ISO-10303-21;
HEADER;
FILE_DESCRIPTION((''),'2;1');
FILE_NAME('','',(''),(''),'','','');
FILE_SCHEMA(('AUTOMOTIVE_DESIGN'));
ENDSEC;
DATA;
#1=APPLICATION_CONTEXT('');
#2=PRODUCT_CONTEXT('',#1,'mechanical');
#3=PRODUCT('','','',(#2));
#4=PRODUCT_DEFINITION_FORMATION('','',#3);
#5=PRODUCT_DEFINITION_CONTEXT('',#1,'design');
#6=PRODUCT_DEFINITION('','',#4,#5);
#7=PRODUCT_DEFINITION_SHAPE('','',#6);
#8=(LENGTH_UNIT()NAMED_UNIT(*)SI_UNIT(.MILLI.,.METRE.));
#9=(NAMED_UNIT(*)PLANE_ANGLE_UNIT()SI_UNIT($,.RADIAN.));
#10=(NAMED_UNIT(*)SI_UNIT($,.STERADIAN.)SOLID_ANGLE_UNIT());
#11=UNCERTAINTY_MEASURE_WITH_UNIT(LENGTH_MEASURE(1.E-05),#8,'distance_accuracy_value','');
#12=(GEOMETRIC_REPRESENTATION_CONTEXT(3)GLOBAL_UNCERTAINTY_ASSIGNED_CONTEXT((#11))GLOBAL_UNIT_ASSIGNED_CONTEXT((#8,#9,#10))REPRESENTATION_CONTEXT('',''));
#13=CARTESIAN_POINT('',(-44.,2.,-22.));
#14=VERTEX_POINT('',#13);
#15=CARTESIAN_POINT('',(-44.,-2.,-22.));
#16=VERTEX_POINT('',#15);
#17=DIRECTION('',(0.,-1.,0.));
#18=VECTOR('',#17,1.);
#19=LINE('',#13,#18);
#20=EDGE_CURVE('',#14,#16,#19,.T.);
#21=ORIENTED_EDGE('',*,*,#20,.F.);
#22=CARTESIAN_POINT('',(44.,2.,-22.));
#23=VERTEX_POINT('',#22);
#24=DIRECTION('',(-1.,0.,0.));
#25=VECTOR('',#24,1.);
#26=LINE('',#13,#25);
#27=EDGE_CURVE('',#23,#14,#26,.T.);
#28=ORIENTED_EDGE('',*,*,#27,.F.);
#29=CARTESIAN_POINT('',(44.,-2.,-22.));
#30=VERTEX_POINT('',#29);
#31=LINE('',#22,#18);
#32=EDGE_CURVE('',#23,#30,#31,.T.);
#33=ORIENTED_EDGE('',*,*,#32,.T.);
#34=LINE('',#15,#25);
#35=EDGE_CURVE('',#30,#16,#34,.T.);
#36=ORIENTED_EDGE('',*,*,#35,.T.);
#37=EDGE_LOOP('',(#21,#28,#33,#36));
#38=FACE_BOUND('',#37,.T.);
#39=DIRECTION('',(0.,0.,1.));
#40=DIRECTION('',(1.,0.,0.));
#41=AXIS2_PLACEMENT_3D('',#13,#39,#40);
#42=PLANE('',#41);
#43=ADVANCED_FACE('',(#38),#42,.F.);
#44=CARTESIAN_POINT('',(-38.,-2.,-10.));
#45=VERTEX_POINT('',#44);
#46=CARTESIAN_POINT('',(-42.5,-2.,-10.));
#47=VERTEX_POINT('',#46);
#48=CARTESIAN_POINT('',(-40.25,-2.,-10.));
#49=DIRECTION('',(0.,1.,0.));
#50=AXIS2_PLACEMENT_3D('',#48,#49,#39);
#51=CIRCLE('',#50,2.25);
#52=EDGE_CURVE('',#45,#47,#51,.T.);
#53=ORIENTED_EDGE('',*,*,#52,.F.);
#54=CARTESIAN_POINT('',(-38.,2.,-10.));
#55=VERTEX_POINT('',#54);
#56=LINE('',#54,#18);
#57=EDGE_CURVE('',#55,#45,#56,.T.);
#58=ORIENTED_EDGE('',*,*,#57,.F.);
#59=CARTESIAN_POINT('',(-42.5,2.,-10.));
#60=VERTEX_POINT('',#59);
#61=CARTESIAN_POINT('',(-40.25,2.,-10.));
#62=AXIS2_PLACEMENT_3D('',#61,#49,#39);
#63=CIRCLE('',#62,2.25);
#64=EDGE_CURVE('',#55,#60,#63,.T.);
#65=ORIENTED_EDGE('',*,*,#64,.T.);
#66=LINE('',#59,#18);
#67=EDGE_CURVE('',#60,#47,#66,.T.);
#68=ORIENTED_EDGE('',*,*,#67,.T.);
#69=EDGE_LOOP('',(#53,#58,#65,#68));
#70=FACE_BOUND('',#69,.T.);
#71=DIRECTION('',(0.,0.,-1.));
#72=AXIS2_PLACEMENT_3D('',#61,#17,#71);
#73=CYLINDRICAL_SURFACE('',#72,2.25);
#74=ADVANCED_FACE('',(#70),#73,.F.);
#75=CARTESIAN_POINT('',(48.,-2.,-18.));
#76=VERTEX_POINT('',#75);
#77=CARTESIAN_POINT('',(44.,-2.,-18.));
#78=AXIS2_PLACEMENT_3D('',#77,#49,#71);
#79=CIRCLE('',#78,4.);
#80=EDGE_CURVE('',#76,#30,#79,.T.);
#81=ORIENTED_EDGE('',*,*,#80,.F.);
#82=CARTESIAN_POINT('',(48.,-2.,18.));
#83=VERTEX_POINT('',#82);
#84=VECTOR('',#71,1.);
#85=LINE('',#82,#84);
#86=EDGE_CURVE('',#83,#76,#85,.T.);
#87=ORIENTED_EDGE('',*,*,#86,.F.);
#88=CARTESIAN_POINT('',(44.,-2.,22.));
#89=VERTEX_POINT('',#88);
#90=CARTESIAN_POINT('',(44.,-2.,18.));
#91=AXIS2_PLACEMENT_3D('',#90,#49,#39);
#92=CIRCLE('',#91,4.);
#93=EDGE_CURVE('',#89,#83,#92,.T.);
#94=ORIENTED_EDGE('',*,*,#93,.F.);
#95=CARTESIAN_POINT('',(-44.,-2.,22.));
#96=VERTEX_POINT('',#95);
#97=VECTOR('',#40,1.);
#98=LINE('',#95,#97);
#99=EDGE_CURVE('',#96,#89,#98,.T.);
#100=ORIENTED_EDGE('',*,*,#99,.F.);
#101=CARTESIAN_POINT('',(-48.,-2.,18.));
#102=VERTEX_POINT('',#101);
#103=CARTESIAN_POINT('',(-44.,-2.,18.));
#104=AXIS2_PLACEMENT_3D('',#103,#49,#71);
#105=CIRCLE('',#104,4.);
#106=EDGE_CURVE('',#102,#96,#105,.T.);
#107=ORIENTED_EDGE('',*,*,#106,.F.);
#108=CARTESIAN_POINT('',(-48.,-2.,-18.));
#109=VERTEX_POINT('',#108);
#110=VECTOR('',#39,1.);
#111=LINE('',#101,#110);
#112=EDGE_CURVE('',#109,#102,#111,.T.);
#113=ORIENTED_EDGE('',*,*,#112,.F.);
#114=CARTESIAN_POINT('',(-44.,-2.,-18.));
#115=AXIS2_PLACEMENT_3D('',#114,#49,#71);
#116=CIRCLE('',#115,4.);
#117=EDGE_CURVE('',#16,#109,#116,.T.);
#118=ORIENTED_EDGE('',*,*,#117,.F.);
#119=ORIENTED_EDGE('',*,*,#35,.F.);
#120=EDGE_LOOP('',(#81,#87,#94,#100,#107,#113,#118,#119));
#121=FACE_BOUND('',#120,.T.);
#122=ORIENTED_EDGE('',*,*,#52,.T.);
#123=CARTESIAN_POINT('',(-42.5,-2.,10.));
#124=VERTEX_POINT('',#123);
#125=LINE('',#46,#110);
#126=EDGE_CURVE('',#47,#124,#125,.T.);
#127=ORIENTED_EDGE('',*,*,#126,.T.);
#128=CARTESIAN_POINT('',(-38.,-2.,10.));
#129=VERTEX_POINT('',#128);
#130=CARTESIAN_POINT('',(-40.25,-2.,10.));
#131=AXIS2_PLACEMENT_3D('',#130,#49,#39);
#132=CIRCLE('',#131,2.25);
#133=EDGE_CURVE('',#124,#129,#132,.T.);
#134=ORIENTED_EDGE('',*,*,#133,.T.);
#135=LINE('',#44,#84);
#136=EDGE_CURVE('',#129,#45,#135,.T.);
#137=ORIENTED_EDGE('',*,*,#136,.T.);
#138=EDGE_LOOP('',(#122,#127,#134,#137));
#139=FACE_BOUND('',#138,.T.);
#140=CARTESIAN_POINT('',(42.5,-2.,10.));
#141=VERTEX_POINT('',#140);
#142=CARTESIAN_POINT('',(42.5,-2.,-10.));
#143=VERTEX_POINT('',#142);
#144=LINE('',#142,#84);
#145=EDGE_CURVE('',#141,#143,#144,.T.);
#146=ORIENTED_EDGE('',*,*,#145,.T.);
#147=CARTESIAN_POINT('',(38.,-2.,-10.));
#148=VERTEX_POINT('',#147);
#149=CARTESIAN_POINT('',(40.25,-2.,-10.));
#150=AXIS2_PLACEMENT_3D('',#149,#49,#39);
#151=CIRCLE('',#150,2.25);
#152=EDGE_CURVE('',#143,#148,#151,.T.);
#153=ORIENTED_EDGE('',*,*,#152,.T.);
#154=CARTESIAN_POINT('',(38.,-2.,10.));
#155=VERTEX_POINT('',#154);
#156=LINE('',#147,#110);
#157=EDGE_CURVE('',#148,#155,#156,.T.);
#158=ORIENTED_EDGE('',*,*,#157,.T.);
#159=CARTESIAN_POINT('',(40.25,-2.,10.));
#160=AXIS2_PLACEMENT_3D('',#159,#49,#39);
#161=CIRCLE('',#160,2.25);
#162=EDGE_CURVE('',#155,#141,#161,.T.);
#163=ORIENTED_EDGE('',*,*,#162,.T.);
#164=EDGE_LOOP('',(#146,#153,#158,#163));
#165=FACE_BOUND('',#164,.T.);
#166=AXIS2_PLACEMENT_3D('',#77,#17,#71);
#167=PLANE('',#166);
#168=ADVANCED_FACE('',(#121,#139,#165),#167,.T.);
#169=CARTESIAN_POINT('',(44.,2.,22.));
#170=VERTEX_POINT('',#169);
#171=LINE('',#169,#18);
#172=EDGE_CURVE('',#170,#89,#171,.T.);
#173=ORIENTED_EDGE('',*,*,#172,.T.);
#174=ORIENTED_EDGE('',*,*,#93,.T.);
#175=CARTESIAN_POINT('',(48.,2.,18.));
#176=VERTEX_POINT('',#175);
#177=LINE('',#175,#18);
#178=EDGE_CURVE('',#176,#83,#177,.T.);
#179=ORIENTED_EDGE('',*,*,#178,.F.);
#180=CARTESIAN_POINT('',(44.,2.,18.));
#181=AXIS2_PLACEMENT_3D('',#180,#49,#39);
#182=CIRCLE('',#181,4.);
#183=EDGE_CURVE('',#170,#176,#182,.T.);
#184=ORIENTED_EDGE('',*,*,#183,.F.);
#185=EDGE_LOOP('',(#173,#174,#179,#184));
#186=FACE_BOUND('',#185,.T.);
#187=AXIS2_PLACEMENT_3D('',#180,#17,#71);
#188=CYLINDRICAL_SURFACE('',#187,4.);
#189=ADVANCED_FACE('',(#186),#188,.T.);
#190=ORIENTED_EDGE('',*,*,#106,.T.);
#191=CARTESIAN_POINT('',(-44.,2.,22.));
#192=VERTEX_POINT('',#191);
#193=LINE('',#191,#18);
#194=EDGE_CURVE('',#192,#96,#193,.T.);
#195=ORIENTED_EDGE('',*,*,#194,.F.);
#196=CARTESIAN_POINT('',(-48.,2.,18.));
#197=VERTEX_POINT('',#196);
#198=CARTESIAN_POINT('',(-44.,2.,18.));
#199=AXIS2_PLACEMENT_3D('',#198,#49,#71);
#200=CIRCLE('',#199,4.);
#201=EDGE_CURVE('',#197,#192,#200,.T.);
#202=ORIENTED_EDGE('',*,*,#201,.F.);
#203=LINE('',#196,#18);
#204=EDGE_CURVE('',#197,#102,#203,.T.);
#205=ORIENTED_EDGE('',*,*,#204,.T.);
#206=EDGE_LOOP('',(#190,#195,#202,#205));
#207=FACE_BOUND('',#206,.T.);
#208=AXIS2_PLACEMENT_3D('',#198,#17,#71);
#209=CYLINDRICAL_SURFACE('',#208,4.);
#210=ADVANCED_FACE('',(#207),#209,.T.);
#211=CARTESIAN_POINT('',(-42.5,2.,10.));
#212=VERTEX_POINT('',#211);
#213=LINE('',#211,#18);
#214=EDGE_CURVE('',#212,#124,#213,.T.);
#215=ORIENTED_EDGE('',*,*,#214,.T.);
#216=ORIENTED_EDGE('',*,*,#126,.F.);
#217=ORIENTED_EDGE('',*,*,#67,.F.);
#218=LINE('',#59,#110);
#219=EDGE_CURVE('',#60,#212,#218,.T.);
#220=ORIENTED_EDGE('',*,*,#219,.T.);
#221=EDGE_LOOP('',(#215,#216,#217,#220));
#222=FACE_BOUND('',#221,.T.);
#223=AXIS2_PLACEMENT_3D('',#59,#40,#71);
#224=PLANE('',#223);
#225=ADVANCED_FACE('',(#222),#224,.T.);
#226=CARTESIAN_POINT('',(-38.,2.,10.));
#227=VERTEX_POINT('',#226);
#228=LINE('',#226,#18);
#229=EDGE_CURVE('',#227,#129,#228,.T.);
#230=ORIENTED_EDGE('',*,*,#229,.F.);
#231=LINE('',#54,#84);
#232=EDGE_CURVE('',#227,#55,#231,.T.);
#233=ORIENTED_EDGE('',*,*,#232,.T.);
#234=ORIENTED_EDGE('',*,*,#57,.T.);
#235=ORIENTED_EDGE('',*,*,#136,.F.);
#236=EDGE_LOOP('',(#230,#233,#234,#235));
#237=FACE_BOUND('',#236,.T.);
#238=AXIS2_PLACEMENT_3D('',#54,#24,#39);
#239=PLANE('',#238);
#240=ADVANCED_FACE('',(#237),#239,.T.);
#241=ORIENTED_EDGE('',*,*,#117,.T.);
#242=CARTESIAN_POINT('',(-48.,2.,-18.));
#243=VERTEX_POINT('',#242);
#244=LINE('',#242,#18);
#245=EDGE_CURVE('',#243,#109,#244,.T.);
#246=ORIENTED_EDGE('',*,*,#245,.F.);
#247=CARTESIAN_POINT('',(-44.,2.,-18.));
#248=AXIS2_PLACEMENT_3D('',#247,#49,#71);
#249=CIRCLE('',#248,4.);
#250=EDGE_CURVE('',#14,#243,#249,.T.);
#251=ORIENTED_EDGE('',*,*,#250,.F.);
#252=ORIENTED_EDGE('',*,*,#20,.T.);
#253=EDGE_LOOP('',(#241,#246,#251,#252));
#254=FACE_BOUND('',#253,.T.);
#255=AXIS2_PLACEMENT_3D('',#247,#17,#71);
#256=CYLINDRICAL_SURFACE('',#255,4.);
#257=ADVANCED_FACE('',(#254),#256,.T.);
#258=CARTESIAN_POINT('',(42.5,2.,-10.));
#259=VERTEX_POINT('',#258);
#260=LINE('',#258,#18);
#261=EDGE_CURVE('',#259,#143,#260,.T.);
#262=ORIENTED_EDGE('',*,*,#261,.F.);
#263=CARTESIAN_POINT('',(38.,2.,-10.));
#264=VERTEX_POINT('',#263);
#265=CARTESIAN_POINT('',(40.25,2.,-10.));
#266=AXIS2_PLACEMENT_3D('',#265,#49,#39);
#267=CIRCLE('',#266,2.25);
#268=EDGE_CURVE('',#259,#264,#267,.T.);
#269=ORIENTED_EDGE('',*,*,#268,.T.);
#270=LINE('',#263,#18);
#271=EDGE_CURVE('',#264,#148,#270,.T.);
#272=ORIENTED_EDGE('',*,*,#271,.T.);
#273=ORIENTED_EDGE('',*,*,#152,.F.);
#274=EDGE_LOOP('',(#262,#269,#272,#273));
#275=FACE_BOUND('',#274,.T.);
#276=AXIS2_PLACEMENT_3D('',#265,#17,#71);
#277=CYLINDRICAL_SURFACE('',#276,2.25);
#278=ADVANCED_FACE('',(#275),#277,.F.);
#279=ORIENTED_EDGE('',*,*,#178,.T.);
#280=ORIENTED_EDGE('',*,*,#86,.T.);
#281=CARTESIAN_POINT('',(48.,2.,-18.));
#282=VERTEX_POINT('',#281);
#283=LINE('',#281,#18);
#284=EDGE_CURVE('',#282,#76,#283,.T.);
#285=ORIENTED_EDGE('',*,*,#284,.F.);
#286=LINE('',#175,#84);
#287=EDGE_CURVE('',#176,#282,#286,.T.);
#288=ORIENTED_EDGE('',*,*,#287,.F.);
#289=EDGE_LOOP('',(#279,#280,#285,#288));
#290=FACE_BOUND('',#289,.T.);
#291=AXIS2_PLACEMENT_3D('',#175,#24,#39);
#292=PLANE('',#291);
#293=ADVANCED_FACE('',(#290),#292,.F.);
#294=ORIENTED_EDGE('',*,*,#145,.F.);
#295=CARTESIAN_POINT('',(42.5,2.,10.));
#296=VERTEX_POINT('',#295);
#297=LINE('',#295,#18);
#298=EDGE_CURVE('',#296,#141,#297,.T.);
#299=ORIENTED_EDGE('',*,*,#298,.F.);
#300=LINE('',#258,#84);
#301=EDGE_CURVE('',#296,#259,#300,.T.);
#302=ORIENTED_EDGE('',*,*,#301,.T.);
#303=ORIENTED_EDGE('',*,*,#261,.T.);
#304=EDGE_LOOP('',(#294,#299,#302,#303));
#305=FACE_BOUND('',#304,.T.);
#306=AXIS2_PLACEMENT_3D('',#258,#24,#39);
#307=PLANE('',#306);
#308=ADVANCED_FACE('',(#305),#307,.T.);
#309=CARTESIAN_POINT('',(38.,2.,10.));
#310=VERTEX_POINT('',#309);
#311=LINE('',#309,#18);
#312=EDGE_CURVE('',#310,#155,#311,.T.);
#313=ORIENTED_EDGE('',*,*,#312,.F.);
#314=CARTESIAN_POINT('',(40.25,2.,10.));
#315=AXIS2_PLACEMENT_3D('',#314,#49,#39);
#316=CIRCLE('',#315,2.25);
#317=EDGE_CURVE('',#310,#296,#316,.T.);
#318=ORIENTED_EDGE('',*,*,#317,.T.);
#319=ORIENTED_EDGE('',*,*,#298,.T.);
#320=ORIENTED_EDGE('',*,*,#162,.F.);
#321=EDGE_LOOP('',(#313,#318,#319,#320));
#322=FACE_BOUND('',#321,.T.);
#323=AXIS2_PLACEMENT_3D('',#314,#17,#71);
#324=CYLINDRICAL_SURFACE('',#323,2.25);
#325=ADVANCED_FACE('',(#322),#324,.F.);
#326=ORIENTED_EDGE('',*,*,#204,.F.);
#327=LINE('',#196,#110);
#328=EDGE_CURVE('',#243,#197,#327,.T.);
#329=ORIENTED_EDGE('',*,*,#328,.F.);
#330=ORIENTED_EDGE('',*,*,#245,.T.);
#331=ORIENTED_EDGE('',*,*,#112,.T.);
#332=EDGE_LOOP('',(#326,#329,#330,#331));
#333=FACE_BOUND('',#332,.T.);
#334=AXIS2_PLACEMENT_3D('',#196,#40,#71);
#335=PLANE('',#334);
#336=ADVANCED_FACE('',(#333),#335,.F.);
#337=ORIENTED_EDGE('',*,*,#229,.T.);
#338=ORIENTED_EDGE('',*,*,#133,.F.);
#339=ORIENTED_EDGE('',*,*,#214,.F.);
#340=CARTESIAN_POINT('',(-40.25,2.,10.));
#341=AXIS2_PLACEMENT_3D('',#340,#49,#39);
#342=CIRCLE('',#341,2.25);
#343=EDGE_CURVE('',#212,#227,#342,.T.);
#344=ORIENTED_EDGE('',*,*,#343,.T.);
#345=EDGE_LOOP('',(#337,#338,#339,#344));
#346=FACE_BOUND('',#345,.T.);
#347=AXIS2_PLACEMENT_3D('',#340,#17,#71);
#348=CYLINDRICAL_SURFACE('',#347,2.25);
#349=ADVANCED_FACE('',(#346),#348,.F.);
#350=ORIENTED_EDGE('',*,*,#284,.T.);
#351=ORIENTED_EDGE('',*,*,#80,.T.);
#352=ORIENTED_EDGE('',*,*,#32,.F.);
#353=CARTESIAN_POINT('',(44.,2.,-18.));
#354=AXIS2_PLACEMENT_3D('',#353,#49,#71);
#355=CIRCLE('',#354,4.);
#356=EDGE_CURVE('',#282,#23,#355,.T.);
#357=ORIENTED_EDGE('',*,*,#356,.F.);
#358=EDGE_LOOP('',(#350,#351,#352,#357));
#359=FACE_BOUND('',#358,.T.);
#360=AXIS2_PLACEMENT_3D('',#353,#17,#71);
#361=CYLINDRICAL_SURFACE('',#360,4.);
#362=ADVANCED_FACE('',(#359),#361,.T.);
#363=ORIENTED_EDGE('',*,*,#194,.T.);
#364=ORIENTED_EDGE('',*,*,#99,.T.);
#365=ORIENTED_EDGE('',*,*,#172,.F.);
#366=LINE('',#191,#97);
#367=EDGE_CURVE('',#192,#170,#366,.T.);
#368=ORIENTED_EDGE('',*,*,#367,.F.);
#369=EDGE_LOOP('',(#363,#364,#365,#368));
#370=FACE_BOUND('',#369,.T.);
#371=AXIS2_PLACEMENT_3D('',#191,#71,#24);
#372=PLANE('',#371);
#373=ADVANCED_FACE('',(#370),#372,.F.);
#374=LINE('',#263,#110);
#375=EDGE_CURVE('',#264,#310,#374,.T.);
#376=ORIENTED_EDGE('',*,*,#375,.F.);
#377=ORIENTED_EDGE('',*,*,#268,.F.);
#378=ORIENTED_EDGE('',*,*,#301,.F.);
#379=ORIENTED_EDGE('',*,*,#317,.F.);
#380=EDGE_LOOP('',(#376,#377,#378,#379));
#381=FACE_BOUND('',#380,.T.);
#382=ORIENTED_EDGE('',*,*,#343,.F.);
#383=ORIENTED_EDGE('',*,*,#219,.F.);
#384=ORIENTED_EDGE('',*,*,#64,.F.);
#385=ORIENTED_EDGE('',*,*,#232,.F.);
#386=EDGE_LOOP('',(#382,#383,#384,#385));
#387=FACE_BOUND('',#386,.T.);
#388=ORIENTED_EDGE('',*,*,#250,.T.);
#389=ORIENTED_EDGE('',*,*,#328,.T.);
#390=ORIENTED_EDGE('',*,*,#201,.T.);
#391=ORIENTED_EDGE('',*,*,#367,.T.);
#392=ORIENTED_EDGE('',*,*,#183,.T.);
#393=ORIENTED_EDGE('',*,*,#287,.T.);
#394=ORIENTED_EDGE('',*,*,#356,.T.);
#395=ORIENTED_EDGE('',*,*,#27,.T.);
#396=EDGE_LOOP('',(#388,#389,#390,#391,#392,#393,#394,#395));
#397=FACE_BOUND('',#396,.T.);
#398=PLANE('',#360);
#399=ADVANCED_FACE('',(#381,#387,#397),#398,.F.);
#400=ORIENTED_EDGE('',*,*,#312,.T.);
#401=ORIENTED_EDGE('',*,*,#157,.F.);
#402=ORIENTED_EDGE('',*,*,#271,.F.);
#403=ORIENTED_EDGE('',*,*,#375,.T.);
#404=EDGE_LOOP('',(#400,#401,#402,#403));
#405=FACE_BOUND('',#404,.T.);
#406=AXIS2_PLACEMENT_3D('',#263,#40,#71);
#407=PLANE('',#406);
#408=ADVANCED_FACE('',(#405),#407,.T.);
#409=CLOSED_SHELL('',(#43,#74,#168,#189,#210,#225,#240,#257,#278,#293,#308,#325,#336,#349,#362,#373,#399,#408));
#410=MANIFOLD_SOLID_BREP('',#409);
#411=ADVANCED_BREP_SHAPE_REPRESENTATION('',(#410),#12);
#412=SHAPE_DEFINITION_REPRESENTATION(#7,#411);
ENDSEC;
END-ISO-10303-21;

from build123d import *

# Parameters (mm, degrees)
BOSS_EXTRUDE1_DEPTH = 2


with BuildPart() as part:
    # Sketch1 → Boss-Extrude1 (new body, symmetric)
    with BuildSketch(Plane(origin=(0, 0, 0), x_dir=(1, 0, 0), z_dir=(0, 1, 0))):
        with BuildLine():
            Line((-44, -22), (44, -22))
            ThreePointArc((44, -22), (46.828427125, -20.828427125), (48, -18))
            Line((48, -18), (48, 18))
            ThreePointArc((48, 18), (46.828427125, 20.828427125), (44, 22))
            Line((44, 22), (-44, 22))
            ThreePointArc((-44, 22), (-46.828427125, 20.828427125), (-48, 18))
            Line((-48, 18), (-48, -18))
            ThreePointArc((-48, -18), (-46.828427125, -20.828427125), (-44, -22))
        make_face()
        with BuildLine():
            Line((-38, 10), (-38, -10))
            ThreePointArc((-38, -10), (-40.25, -12.25), (-42.5, -10))
            Line((-42.5, -10), (-42.5, 10))
            ThreePointArc((-42.5, 10), (-40.25, 12.25), (-38, 10))
        make_face(mode=Mode.SUBTRACT)
        with BuildLine():
            Line((42.5, 10), (42.5, -10))
            ThreePointArc((42.5, -10), (40.25, -12.25), (38, -10))
            Line((38, -10), (38, 10))
            ThreePointArc((38, 10), (40.25, 12.25), (42.5, 10))
        make_face(mode=Mode.SUBTRACT)
    extrude(amount=BOSS_EXTRUDE1_DEPTH, both=True)


solid = part.part
